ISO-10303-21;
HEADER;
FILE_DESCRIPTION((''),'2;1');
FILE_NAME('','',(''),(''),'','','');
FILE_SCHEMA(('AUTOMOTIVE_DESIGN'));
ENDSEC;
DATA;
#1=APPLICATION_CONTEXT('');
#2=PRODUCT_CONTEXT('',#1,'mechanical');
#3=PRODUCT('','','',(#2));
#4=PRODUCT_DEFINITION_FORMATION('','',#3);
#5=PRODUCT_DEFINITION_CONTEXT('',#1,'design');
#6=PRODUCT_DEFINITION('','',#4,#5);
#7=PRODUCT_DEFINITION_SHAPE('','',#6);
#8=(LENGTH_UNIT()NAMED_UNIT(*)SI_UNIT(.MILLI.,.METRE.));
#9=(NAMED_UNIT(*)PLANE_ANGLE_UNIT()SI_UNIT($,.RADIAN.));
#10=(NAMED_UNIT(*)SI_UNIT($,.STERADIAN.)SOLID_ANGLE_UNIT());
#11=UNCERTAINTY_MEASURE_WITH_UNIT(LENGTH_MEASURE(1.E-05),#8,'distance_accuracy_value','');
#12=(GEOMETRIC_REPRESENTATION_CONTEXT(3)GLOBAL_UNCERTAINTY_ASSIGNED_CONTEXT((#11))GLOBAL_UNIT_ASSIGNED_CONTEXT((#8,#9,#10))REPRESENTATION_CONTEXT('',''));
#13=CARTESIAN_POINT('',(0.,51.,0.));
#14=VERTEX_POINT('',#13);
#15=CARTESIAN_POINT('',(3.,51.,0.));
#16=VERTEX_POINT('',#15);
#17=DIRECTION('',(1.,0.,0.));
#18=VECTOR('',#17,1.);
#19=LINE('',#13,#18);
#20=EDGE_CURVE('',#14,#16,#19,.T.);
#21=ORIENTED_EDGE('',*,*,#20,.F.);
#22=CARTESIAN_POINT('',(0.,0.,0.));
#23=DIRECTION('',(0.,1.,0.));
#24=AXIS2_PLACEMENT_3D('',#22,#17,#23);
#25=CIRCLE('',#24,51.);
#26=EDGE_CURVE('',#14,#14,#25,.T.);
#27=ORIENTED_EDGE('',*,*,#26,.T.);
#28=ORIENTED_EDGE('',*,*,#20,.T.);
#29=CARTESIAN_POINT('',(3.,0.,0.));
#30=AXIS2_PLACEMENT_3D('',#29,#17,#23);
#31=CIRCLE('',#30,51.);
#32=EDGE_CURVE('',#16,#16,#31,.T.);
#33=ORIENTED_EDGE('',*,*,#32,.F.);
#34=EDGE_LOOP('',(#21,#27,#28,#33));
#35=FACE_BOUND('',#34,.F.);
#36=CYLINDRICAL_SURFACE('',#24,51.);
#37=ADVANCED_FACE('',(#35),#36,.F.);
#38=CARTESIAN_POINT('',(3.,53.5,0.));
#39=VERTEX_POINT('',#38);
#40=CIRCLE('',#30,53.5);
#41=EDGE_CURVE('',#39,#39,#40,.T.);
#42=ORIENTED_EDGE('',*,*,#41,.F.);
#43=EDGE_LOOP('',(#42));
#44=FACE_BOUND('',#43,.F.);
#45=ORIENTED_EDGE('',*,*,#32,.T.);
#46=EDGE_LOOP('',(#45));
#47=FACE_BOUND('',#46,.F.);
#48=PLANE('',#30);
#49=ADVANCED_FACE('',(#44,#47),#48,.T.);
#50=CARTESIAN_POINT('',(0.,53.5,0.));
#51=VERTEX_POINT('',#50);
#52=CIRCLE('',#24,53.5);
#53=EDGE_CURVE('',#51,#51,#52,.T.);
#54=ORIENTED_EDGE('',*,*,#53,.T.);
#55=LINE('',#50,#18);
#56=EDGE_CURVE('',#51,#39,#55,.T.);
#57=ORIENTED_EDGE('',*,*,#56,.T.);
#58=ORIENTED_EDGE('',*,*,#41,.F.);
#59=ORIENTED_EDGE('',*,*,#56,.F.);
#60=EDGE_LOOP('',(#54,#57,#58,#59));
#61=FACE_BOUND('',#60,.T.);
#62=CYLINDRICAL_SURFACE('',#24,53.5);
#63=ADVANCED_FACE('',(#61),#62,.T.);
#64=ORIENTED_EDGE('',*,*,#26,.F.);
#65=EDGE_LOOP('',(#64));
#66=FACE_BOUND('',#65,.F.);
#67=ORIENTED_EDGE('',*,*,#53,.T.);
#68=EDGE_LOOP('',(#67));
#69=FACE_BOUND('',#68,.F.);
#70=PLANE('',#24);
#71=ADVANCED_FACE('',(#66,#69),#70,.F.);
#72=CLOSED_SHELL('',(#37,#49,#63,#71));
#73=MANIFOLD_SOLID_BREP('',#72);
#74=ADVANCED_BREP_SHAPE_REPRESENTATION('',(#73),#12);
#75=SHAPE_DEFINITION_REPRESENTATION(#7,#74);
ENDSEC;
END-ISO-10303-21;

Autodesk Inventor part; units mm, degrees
ref_plane "YZ Plane" through (0, 0, 0) normal (1, 0, 0) x (0, 1, 0)
ref_plane "XZ Plane" through (0, 0, 0) normal (0, 1, 0) x (-1, 0, 0)
ref_plane "XY Plane" through (0, 0, 0) normal (0, 0, 1) x (1, 0, 0)
sketch "Sketch1" plane through (0, 0, 0) normal (0, 0, 1) x (1, 0, 0)
  line L0 (0, 51) -> (3, 51)
  line L1 (3, 53.5) -> (18, 53.5) construction
  line L2 (3, 51) -> (3, 53.5)
  line L3 (0, 53.5) -> (0, 51)
  line L4 (0, 53.5) -> (3, 53.5)
  line L5 (-9, 0) -> (54, 0) construction
  point P0 (0, 0)
revolve "Revolution1" add sketch "Sketch1" angle 360 about axis through (-9, 0, 0) along (1, 0, 0)
properties part number "tomites" material "Rubber"
